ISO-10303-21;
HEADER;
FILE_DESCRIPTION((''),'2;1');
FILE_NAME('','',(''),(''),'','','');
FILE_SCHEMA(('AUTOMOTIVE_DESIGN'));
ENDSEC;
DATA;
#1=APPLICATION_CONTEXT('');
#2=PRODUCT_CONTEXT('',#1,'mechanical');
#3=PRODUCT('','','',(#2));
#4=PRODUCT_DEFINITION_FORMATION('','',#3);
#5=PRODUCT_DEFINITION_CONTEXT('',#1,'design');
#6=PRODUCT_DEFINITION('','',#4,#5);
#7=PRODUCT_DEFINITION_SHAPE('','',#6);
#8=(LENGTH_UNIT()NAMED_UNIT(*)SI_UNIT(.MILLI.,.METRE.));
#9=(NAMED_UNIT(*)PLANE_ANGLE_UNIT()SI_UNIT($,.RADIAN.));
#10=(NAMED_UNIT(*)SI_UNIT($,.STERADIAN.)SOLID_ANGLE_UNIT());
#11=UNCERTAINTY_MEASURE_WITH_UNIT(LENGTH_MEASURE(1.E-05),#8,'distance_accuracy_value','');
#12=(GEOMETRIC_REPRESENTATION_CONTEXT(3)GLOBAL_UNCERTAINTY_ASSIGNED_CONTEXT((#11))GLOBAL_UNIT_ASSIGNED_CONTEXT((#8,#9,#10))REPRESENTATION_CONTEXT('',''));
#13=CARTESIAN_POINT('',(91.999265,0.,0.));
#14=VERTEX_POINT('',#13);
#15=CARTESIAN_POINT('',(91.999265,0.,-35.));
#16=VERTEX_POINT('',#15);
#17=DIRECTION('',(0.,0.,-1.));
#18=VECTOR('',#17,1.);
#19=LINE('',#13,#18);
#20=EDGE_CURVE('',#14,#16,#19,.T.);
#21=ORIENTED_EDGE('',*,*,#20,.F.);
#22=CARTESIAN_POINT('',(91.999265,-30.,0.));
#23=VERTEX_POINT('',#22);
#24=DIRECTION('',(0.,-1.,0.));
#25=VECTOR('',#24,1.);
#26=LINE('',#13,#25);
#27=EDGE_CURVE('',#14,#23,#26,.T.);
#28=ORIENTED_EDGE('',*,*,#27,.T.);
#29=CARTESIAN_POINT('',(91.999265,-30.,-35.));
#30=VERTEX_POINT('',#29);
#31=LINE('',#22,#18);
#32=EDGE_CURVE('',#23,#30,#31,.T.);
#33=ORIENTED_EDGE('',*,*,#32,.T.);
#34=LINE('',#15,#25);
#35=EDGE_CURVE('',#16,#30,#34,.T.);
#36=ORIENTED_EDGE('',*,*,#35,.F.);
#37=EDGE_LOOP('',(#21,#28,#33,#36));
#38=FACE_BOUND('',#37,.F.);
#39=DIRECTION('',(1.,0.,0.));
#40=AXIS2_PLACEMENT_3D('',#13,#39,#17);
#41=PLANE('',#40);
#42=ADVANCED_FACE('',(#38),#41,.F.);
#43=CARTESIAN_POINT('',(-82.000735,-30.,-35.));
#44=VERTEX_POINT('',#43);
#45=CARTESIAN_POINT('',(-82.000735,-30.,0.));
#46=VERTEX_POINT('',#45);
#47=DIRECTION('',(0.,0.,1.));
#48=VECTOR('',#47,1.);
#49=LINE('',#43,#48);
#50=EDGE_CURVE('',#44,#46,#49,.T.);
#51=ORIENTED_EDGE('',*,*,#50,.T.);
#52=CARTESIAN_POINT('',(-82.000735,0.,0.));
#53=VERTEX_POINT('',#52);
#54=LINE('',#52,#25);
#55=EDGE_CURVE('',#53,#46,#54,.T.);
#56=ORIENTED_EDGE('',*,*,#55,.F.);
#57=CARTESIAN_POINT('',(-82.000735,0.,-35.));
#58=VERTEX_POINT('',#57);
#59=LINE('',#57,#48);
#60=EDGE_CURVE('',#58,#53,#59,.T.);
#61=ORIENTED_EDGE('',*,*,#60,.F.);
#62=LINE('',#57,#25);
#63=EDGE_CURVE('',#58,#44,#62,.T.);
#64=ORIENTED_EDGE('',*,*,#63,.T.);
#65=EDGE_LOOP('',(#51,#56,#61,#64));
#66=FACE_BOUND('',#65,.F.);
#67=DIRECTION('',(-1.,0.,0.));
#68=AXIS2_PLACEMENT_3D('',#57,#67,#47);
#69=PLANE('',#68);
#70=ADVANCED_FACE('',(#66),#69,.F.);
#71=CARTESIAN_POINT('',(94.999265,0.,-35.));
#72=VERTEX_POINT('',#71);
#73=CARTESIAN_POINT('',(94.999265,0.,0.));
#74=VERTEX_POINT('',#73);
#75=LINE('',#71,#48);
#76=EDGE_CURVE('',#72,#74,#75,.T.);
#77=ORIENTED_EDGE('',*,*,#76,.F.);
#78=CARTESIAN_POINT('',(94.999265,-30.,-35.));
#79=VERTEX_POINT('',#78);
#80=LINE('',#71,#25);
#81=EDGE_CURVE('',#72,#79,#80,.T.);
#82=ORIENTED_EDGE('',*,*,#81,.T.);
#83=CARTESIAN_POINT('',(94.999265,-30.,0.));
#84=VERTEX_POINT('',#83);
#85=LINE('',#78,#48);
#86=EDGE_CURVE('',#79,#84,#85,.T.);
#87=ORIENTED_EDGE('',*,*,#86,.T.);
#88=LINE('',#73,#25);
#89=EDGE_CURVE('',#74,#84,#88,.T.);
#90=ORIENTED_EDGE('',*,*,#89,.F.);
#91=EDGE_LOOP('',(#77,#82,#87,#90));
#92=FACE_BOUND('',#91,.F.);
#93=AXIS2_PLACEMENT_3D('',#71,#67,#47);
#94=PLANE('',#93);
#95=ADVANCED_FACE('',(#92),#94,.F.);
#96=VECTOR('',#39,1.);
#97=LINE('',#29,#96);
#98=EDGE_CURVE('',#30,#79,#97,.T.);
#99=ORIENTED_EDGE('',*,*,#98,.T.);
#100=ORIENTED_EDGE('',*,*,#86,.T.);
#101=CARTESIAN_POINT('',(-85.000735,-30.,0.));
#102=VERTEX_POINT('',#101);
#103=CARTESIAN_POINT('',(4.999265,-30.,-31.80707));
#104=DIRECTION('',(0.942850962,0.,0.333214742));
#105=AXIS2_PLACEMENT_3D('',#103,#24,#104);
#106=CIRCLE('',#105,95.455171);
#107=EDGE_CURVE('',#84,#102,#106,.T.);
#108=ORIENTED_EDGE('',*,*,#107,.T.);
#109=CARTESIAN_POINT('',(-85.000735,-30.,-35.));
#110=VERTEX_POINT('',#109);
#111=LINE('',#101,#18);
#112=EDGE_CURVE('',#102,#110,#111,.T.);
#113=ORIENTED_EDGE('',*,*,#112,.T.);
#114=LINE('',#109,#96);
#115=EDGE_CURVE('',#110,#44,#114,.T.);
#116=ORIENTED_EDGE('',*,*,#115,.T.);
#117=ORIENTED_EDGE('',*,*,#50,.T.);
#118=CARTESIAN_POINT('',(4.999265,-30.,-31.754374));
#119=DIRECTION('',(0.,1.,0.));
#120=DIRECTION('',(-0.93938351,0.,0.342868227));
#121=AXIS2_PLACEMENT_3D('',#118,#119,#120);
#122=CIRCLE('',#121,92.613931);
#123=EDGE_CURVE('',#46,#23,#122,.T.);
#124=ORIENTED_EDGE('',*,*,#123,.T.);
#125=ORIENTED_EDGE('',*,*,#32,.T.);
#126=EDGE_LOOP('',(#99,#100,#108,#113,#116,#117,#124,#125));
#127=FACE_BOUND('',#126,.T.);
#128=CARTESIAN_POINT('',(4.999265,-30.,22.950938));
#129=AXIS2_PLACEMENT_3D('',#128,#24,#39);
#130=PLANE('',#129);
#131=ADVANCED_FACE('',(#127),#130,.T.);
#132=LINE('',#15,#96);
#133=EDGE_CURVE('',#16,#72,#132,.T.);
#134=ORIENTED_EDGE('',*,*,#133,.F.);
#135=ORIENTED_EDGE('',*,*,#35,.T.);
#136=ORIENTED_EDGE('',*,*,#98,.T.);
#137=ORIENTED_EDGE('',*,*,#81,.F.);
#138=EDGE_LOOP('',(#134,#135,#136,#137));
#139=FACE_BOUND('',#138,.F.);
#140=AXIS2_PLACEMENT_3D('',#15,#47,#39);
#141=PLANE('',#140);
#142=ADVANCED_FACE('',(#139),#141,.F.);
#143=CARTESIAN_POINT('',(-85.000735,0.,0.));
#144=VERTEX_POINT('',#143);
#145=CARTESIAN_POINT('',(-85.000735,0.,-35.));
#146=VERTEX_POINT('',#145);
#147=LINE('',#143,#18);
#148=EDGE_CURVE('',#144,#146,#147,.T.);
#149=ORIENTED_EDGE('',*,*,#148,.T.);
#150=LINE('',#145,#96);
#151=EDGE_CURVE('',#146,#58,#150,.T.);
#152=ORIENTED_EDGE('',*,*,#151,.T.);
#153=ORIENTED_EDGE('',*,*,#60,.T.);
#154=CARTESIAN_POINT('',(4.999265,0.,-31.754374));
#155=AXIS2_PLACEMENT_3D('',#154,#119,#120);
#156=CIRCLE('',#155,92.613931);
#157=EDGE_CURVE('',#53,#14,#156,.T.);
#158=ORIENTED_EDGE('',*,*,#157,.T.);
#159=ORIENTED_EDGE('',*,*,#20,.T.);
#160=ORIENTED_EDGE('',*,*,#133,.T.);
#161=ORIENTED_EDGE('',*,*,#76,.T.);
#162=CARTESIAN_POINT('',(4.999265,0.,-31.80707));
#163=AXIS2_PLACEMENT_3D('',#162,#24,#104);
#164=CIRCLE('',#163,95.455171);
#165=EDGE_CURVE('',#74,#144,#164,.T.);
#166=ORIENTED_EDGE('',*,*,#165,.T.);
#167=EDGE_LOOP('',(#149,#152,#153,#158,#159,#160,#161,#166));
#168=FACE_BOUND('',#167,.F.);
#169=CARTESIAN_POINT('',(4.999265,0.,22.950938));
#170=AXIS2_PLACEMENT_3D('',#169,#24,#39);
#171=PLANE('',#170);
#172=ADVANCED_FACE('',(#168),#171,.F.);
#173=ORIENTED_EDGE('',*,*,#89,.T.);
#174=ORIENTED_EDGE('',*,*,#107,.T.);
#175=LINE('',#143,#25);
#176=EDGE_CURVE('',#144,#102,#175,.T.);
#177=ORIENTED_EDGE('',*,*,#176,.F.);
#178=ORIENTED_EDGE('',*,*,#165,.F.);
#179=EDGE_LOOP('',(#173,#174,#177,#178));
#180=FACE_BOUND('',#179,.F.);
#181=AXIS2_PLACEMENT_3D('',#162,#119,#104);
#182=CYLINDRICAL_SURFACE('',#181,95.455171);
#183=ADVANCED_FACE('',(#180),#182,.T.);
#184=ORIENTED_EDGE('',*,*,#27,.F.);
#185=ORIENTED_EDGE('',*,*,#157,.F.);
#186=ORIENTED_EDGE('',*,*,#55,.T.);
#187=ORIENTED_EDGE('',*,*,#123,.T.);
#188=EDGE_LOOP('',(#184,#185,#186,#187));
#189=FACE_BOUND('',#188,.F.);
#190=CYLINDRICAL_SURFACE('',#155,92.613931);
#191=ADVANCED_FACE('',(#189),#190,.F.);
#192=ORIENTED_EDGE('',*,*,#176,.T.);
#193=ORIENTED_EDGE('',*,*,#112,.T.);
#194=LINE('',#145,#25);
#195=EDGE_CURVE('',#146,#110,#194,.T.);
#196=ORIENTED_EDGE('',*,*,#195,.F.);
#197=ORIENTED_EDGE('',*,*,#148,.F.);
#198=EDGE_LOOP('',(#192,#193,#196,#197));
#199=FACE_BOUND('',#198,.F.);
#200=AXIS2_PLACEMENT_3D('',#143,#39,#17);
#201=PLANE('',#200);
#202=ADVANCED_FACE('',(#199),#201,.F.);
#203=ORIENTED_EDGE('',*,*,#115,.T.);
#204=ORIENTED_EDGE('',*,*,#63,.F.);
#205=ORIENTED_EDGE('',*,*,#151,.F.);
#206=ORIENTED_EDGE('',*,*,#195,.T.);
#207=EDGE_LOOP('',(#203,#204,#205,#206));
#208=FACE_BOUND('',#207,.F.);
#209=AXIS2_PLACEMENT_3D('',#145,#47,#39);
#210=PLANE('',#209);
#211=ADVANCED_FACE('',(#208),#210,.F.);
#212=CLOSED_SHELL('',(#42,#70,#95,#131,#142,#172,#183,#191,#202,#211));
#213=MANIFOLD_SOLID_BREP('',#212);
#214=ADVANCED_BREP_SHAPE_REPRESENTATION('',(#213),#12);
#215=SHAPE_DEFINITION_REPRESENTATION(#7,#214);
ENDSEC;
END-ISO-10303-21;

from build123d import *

# Parameters (mm, degrees)
F1_DEPTH = 30


with BuildPart() as f1:
    # F0 (on Front) → F1 (new body)
    with BuildSketch(Plane.XZ):
        with BuildLine():
            Line((94.999265, -35), (94.999265, 0))
            ThreePointArc((94.999265, 0), (4.999265, 63.648101), (-85.000735, 0))
            Line((-85.000735, 0), (-85.000735, -35))
            Line((-85.000735, -35), (-82.000735, -35))
            Line((-82.000735, -35), (-82.000735, 0))
            ThreePointArc((-82.000735, 0), (4.999265, 60.859557), (91.999265, 0))
            Line((91.999265, 0), (91.999265, -35))
            Line((91.999265, -35), (94.999265, -35))
        make_face()
    extrude(amount=F1_DEPTH)


solid = f1.part
